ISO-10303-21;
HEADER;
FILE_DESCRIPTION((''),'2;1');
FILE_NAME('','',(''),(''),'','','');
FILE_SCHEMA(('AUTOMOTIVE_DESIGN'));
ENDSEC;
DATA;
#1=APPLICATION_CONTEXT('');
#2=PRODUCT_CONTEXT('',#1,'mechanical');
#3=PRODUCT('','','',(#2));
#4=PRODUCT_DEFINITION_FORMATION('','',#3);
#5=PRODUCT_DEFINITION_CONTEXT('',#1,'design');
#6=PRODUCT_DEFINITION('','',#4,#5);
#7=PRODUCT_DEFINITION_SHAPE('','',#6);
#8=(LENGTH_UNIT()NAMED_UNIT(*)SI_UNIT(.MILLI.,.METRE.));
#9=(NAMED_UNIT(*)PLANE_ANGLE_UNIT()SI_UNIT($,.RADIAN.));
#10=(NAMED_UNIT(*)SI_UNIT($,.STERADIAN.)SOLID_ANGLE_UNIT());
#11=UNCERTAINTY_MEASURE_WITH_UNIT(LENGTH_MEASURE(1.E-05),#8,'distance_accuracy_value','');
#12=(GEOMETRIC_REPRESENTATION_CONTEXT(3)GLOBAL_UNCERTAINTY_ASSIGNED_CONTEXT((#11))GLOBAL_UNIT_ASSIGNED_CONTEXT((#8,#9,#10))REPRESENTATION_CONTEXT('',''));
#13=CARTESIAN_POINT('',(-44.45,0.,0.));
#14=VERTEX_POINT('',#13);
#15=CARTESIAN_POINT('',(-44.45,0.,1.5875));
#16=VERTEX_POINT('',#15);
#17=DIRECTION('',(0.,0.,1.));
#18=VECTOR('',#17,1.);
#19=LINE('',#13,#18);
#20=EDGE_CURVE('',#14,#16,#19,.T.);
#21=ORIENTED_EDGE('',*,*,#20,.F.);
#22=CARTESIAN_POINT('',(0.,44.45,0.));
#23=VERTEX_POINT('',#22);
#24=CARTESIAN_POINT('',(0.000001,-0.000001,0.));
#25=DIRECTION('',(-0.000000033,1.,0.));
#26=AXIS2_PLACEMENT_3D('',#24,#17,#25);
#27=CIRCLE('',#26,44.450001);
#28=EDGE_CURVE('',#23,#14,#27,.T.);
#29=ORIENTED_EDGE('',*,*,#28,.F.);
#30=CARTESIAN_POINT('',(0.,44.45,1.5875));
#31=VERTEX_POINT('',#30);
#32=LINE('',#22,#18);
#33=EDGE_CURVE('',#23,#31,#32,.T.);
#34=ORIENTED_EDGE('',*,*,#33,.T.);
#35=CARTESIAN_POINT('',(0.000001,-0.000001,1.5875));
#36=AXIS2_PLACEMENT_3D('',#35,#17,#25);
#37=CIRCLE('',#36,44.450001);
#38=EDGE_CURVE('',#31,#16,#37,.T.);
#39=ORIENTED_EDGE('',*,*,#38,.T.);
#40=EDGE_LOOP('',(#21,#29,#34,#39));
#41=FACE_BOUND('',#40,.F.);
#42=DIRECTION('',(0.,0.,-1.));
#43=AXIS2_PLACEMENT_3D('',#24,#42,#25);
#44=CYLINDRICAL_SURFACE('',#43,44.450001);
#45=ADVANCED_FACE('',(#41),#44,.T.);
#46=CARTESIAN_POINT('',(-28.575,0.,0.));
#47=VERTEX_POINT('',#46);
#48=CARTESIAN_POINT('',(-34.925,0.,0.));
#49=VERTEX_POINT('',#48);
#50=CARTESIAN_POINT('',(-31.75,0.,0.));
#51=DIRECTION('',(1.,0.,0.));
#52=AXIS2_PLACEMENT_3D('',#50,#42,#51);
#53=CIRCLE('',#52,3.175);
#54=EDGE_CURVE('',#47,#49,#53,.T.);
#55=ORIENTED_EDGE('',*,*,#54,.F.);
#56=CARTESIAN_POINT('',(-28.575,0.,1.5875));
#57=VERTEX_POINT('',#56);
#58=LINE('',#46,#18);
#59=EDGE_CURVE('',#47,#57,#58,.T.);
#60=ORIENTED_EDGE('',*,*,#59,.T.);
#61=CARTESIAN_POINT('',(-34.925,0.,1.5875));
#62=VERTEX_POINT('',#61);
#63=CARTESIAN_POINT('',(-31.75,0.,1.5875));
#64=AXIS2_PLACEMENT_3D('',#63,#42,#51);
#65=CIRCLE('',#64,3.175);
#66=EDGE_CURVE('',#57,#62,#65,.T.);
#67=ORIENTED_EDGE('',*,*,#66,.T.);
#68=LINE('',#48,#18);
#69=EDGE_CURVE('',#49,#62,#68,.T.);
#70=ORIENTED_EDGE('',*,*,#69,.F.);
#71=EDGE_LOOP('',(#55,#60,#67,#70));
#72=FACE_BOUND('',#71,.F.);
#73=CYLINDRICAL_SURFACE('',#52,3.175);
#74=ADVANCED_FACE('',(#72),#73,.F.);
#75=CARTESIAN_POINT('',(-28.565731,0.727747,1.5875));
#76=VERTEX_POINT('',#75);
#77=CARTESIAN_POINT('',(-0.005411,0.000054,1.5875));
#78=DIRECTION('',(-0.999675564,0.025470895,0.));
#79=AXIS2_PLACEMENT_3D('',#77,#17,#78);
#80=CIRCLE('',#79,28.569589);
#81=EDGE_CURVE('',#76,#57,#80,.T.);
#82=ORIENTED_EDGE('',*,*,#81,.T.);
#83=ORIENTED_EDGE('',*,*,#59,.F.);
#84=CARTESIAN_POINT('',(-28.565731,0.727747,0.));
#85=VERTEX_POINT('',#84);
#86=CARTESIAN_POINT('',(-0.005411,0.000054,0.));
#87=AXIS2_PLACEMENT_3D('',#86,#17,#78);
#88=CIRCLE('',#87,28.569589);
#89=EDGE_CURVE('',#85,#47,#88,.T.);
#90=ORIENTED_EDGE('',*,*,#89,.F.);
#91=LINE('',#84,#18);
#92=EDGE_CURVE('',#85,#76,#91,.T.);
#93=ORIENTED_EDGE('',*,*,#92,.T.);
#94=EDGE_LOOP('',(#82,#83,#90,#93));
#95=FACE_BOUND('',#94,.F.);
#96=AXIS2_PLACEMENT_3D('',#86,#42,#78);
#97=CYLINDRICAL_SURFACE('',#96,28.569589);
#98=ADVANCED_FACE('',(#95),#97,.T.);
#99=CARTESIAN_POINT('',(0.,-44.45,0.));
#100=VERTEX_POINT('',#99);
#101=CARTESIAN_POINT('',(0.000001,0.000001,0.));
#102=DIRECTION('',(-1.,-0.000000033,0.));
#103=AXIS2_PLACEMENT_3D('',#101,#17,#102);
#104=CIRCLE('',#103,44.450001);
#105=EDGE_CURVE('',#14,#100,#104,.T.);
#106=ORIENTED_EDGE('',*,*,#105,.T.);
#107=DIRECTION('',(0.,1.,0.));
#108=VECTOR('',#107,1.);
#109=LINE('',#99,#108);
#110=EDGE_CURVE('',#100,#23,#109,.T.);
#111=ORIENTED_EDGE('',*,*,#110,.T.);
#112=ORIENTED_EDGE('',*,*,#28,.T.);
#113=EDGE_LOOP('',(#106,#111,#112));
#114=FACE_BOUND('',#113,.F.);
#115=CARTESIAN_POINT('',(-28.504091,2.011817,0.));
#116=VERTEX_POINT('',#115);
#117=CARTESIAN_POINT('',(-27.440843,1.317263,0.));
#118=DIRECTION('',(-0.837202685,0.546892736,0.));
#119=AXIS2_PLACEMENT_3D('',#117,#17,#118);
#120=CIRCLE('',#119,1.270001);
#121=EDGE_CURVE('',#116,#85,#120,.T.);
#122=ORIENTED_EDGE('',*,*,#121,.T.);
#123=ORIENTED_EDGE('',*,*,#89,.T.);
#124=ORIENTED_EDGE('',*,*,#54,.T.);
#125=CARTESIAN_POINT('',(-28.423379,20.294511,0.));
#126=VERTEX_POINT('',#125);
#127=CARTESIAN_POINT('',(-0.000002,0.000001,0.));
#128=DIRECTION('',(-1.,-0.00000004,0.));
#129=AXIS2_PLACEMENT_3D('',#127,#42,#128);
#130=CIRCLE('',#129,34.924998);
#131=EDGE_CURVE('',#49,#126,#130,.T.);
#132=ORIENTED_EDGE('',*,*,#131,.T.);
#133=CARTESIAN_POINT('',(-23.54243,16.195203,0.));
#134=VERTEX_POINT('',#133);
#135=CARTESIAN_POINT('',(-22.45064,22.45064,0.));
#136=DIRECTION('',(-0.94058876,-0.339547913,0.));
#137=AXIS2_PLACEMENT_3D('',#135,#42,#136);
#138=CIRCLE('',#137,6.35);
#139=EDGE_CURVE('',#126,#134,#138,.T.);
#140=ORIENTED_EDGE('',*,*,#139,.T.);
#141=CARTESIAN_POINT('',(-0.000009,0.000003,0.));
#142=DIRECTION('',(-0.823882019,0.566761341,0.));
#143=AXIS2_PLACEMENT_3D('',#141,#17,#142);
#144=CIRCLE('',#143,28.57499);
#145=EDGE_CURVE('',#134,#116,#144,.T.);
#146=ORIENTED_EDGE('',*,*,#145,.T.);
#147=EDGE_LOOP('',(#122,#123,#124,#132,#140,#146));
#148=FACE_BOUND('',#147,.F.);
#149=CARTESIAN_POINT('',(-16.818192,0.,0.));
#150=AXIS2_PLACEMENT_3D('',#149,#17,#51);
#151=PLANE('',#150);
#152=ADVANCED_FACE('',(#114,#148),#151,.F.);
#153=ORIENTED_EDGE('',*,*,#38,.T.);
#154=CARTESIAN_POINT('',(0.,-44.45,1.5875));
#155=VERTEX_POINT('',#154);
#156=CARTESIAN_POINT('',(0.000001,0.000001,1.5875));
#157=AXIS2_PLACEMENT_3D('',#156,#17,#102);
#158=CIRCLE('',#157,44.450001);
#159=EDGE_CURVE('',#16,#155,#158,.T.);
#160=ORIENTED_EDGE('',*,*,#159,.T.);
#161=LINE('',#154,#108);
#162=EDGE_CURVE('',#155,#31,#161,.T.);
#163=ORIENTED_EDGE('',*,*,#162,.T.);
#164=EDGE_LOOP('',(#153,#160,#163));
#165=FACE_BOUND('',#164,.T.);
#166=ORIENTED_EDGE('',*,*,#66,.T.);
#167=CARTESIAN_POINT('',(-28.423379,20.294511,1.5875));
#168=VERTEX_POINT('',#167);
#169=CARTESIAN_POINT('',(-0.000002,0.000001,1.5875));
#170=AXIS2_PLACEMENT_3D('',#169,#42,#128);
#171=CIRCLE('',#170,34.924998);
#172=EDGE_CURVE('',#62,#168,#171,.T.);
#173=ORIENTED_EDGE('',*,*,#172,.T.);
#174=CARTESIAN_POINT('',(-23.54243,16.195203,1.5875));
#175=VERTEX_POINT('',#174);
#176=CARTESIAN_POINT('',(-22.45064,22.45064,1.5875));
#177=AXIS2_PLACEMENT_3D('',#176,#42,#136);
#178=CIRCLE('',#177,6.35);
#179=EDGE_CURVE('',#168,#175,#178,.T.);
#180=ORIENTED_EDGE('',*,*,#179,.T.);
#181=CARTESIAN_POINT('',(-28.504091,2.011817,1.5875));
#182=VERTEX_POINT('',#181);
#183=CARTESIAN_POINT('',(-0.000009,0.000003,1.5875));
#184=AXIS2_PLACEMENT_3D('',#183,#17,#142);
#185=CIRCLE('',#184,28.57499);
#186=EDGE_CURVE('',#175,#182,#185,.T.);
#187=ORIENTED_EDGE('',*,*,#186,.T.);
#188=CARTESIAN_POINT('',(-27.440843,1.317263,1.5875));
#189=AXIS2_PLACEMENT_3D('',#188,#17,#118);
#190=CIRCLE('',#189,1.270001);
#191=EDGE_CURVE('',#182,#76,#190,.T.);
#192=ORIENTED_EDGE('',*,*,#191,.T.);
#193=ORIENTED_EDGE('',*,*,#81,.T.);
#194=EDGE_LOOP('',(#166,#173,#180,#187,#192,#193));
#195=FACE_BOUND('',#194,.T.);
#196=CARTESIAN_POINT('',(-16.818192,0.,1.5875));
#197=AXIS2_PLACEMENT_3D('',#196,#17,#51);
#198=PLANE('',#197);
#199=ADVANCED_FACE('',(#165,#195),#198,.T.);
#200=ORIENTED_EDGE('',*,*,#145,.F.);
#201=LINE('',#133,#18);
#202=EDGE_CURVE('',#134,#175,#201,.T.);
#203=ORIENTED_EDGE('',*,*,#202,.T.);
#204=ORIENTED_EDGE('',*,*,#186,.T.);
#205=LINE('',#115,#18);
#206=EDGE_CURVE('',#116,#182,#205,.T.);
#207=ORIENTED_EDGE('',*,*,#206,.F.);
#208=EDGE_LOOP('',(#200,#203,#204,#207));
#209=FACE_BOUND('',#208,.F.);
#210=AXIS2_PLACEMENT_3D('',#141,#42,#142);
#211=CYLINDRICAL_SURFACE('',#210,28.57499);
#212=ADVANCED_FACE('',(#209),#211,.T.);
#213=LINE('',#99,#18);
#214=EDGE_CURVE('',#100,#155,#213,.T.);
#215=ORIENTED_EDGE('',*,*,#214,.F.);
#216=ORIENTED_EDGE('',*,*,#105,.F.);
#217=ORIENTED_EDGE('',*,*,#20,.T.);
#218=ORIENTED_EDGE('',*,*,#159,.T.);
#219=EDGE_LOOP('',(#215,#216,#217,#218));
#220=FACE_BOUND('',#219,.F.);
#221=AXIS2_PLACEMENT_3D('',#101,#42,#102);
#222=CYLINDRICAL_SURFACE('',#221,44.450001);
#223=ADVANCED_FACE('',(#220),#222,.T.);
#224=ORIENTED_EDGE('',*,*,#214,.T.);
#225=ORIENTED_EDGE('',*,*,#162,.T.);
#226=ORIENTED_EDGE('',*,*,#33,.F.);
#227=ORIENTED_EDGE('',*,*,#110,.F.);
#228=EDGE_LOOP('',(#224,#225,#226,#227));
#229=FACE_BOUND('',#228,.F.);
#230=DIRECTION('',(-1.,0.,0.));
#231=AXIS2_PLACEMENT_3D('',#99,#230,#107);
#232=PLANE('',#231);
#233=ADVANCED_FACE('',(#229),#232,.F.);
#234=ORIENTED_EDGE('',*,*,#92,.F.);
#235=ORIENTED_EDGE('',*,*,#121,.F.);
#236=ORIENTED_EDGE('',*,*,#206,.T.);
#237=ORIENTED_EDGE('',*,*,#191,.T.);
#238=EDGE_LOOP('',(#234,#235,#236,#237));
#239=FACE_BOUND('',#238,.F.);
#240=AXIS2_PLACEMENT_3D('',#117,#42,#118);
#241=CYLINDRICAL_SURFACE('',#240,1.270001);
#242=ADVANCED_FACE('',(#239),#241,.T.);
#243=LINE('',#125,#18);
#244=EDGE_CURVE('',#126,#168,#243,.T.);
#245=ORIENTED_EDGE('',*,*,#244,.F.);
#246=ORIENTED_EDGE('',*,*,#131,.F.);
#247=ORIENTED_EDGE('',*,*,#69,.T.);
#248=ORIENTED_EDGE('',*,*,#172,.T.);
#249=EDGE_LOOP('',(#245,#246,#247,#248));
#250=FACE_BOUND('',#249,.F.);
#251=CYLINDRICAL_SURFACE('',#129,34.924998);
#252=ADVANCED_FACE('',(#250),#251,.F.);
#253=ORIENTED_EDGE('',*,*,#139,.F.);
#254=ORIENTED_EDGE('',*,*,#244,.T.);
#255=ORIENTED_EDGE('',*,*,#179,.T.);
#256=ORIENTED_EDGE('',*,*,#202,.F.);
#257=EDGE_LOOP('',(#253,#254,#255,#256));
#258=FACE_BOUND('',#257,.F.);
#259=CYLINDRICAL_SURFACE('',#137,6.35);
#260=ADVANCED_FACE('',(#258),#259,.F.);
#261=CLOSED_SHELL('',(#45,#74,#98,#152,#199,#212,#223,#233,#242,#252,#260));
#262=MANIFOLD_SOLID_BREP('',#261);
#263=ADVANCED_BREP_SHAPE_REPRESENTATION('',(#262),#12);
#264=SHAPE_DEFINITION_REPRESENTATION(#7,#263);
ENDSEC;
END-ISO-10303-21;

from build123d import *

# Parameters (mm, degrees)
F1_DEPTH = 1.5875


with BuildPart() as f1:
    # F0 (on Top) → F1 (new body)
    with BuildSketch(Plane.XY):
        with BuildLine():
            Line((0, -44.45), (0, 44.45))
            ThreePointArc((0, 44.45), (-31.430896, 31.430896), (-44.45, 0))
            ThreePointArc((-44.45, 0), (-31.430896, -31.430896), (0, -44.45))
        make_face()
        with BuildLine():
            ThreePointArc((-28.575, 0), (-31.75, -3.175), (-34.925, 0))
            ThreePointArc((-34.925, 0), (-33.259902, 10.65526), (-28.423379, 20.294511))
            ThreePointArc((-28.423379, 20.294511), (-18.366773, 27.313204), (-23.54243, 16.195203))
            ThreePointArc((-23.54243, 16.195203), (-26.972249, 9.435487), (-28.504091, 2.011817))
            ThreePointArc((-28.504091, 2.011817), (-28.709383, 1.378157), (-28.565731, 0.727747))
            ThreePointArc((-28.565731, 0.727747), (-28.572683, 0.363903), (-28.575, 0))
        make_face(mode=Mode.SUBTRACT)
    extrude(amount=F1_DEPTH)


solid = f1.part
